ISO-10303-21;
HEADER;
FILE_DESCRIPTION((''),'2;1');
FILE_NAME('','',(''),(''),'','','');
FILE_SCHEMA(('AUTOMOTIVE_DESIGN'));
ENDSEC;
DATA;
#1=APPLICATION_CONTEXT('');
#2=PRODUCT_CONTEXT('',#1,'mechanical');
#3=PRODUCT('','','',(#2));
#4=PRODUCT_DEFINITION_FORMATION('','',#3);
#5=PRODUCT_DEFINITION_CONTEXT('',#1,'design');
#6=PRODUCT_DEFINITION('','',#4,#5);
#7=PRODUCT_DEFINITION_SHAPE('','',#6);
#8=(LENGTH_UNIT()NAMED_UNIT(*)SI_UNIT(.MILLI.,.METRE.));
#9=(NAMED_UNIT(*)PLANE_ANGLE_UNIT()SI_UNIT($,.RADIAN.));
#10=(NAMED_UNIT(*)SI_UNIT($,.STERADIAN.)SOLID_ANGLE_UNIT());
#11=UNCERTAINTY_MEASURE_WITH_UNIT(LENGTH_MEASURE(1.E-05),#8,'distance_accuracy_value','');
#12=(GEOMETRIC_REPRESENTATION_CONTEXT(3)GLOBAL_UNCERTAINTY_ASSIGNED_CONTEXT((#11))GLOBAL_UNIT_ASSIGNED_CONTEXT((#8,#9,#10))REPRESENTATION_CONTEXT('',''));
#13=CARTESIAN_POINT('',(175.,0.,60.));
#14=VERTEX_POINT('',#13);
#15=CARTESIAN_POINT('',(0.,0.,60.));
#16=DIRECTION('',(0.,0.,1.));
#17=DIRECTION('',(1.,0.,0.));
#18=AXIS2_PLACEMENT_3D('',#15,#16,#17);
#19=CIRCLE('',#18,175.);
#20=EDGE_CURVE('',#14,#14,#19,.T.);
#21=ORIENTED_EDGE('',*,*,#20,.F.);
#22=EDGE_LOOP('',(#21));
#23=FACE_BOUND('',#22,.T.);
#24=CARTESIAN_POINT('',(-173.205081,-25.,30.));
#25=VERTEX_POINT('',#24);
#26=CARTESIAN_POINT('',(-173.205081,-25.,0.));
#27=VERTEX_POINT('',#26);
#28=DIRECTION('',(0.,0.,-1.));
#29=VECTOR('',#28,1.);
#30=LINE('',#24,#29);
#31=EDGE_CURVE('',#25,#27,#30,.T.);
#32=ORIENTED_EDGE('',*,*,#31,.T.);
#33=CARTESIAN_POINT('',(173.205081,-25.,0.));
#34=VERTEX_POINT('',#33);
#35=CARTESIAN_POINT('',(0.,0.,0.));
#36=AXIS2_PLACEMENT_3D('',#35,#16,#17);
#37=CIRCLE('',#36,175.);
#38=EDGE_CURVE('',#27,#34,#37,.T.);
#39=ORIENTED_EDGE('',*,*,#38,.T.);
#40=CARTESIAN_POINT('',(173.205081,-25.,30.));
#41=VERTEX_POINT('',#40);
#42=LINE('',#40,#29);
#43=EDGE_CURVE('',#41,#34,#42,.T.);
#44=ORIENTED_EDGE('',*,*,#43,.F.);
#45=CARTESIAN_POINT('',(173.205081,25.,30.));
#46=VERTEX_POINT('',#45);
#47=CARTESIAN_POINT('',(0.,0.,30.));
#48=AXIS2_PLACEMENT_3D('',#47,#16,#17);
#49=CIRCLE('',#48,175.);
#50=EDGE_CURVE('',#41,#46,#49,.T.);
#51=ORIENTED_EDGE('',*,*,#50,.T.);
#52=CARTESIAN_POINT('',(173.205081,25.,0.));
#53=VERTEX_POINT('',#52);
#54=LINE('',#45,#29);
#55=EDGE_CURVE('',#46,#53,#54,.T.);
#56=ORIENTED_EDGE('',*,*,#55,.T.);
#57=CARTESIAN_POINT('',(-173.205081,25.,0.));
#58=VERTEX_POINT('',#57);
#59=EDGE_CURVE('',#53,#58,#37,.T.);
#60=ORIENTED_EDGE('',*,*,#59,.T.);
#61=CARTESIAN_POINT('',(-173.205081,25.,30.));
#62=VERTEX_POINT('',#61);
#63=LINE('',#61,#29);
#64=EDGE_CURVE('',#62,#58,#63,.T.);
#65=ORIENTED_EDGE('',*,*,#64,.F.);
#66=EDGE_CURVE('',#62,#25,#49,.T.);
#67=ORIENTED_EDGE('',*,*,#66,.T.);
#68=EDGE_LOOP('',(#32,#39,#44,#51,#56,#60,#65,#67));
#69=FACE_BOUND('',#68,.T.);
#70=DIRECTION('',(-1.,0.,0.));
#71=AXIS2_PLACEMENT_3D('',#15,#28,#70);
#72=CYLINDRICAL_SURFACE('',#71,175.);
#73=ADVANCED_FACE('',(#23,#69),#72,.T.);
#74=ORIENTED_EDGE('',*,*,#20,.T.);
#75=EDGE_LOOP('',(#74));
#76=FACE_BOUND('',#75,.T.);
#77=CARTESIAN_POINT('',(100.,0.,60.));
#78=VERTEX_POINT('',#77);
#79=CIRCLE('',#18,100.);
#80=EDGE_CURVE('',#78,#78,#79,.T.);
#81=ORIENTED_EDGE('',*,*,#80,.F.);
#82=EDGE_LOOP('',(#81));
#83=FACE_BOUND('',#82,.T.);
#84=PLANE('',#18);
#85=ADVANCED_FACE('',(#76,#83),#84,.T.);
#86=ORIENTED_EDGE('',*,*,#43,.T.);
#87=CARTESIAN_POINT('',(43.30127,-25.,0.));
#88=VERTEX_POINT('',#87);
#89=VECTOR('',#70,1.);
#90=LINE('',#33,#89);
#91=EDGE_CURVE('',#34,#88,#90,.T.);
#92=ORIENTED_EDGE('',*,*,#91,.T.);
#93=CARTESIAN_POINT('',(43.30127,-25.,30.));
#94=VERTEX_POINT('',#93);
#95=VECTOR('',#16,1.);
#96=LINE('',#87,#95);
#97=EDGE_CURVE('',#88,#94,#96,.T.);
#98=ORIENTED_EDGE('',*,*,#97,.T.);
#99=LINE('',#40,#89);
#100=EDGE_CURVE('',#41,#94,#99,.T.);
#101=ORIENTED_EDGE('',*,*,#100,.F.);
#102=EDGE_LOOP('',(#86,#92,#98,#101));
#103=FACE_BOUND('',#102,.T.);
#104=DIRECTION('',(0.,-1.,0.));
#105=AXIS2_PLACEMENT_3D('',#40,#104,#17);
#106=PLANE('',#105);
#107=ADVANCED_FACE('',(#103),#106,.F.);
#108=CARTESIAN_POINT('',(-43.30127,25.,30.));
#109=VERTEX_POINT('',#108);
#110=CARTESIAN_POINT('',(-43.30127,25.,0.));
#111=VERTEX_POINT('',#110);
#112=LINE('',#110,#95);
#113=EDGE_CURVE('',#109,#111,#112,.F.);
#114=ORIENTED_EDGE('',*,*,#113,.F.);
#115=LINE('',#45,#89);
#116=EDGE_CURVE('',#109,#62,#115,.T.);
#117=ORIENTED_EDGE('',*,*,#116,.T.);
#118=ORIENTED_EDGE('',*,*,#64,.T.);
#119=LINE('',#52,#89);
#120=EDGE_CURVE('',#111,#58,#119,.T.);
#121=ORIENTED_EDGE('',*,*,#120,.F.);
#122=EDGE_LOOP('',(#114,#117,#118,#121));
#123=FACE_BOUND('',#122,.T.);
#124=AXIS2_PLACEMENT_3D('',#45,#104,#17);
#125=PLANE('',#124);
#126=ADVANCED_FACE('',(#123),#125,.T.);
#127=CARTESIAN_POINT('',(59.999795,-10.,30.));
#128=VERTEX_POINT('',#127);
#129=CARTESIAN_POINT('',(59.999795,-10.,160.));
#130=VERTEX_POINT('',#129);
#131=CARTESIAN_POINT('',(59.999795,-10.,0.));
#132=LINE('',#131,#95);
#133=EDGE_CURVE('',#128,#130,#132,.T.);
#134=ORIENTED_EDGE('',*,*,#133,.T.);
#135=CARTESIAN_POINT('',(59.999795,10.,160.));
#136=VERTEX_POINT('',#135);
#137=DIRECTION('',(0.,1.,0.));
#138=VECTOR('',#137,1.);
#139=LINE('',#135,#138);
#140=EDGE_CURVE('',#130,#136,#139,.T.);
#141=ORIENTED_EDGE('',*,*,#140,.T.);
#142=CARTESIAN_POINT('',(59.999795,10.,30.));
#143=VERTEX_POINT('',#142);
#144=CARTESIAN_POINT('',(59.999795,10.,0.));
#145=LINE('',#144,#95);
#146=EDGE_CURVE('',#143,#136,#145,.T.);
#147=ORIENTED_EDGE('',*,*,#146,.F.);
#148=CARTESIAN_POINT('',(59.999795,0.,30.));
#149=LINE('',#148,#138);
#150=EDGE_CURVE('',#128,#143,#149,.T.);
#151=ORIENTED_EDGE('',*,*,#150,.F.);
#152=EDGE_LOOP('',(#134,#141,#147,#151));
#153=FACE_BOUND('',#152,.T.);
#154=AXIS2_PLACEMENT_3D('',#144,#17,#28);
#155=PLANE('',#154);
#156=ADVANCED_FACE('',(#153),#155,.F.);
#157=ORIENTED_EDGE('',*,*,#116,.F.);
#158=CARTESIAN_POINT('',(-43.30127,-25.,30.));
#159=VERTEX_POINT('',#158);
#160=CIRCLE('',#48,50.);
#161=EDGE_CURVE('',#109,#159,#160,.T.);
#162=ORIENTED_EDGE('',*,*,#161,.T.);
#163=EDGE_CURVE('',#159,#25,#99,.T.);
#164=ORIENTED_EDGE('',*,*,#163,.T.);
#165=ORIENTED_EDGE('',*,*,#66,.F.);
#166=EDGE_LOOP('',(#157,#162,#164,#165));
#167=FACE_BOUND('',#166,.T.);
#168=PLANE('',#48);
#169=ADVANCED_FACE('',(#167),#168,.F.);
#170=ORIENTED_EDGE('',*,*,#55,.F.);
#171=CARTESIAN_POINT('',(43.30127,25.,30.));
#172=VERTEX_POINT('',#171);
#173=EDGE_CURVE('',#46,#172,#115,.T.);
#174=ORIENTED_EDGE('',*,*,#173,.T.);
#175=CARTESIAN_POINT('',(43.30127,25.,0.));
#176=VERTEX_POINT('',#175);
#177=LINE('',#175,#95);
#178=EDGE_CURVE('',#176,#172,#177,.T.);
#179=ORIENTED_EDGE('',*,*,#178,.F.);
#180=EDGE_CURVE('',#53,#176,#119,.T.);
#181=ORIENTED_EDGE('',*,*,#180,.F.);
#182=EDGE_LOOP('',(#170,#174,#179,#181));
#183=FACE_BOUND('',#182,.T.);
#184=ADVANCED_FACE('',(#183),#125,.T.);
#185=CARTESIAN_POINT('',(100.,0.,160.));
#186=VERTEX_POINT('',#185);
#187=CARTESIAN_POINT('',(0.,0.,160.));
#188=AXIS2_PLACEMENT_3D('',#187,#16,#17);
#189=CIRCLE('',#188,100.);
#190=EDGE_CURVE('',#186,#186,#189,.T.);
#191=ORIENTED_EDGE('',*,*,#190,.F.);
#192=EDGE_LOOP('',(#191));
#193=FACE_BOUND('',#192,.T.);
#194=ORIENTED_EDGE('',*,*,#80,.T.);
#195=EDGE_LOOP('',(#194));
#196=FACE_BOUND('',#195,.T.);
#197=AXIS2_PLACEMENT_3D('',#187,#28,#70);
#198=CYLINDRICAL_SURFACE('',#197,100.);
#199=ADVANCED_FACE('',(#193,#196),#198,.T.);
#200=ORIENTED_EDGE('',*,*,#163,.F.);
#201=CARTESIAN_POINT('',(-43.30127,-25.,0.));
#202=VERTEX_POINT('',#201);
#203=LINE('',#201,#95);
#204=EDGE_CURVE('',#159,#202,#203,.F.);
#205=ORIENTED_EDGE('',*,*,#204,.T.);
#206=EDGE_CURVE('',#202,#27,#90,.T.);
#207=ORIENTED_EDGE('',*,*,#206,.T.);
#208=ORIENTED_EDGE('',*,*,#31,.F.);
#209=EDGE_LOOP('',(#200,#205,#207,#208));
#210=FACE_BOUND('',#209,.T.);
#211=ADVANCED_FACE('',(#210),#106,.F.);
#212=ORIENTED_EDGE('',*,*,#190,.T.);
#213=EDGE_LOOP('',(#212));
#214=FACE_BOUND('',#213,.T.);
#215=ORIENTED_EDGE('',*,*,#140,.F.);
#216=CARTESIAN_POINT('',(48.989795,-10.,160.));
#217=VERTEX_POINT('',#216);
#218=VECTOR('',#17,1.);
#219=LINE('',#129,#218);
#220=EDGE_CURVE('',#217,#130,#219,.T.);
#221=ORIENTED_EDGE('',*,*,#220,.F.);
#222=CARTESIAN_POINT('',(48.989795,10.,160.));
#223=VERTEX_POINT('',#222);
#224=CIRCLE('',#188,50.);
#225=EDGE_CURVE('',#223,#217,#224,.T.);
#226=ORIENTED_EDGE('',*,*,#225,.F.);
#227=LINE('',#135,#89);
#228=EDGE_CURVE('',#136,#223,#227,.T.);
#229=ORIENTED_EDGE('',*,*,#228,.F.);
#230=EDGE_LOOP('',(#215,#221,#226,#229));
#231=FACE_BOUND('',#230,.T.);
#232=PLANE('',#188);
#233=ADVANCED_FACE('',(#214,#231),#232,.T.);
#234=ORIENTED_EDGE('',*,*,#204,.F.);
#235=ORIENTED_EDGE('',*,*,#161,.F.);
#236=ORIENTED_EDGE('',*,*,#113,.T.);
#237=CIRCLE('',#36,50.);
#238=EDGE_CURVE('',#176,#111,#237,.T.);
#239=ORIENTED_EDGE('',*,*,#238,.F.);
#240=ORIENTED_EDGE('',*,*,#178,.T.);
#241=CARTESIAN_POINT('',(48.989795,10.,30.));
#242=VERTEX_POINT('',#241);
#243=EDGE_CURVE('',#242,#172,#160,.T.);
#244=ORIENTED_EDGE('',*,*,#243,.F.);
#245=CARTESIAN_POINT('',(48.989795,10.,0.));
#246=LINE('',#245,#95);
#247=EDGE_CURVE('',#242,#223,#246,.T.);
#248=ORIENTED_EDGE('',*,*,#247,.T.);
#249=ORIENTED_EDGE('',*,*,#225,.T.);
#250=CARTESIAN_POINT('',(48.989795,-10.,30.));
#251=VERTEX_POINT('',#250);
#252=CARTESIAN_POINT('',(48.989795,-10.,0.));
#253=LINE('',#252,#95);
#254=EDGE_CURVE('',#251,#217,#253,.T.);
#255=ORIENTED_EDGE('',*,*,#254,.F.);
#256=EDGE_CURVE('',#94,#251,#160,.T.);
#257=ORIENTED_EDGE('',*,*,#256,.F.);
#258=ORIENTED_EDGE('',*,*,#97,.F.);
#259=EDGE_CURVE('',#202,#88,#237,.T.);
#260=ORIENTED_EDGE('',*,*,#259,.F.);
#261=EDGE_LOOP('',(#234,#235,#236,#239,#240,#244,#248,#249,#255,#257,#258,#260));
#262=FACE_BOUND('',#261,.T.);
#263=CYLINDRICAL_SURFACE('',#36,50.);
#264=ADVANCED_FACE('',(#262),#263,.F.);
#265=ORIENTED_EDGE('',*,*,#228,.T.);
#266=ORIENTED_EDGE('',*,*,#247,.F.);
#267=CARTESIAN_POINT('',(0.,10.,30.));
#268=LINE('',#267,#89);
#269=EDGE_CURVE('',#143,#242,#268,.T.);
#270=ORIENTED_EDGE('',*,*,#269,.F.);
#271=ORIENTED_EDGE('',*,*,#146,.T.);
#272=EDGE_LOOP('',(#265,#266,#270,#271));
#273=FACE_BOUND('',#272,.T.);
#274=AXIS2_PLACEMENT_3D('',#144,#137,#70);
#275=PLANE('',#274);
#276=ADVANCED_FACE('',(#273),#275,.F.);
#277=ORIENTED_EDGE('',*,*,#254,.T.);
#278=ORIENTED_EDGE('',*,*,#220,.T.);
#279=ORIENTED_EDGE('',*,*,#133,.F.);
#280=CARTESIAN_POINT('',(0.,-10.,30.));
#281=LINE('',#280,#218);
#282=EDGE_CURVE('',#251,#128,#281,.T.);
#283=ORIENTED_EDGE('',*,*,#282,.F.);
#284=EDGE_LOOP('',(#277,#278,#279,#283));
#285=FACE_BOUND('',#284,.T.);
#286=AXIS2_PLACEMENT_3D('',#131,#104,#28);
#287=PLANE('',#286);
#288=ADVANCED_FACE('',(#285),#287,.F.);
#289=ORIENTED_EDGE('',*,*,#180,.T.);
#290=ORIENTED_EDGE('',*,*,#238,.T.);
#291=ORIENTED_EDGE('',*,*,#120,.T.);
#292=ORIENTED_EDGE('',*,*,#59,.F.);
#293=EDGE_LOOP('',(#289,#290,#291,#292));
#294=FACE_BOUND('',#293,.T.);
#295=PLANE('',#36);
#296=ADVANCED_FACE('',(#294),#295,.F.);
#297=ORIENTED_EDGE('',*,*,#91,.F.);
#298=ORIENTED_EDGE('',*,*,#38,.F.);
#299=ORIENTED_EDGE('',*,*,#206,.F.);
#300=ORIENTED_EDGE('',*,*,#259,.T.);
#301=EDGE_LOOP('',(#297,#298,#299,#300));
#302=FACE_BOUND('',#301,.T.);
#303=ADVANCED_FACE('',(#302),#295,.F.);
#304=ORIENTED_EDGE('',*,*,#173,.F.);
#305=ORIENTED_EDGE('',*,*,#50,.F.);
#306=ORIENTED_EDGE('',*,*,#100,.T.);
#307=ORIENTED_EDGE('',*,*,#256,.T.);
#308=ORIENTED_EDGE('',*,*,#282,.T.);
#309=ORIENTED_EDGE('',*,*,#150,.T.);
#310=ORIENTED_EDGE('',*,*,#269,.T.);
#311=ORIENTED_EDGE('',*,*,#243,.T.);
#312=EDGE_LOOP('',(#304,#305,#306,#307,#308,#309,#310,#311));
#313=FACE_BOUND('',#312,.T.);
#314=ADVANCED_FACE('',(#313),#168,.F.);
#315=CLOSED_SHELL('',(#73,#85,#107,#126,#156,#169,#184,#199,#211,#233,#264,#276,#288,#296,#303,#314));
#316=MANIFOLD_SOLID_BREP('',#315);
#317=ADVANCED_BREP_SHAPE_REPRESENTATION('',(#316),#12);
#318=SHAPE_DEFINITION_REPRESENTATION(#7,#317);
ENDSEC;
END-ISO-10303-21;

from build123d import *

# Parameters (mm, degrees)
SKETCH1_R           = 175
BOSS_EXTRUDE1_DEPTH = 60
SKETCH2_R           = 100
BOSS_EXTRUDE2_DEPTH = 100
CUT_EXTRUDE1_DEPTH  = 30
CUT_EXTRUDE2_DEPTH  = 295.703240566


with BuildPart() as part:
    # Sketch1 → Boss-Extrude1 (new body)
    with BuildSketch(Plane.XY):
        Circle(SKETCH1_R)
    extrude(amount=BOSS_EXTRUDE1_DEPTH)

    # Sketch2 → Boss-Extrude2 (add)
    with BuildSketch(Plane.XY.offset(60)):
        Circle(SKETCH2_R)
    extrude(amount=BOSS_EXTRUDE2_DEPTH)

    # Sketch4 → Cut-Extrude1 (cut)
    with BuildSketch(Plane.XY):
        with BuildLine():
            Line((173.205080757, 25), (-173.205080757, 25))
            ThreePointArc((-173.205080757, 25), (-175, 0), (-173.205080757, -25))
            Line((-173.205080757, -25), (173.205080757, -25))
            ThreePointArc((173.205080757, -25), (175, 0), (173.205080757, 25))
        make_face()
    extrude(amount=CUT_EXTRUDE1_DEPTH, mode=Mode.SUBTRACT)

    # Sketch6 → Cut-Extrude2 (cut, through all)
    with BuildSketch(Plane.XY.offset(160)):
        with BuildLine():
            Line((59.999794856, 10), (59.999794856, -10))
            Line((59.999794856, -10), (48.989794856, -10))
            ThreePointArc((48.989794856, -10), (-50, 0), (48.989794856, 10))
            Line((48.989794856, 10), (59.999794856, 10))
        make_face()
    extrude(amount=-CUT_EXTRUDE2_DEPTH, mode=Mode.SUBTRACT)


solid = part.part
